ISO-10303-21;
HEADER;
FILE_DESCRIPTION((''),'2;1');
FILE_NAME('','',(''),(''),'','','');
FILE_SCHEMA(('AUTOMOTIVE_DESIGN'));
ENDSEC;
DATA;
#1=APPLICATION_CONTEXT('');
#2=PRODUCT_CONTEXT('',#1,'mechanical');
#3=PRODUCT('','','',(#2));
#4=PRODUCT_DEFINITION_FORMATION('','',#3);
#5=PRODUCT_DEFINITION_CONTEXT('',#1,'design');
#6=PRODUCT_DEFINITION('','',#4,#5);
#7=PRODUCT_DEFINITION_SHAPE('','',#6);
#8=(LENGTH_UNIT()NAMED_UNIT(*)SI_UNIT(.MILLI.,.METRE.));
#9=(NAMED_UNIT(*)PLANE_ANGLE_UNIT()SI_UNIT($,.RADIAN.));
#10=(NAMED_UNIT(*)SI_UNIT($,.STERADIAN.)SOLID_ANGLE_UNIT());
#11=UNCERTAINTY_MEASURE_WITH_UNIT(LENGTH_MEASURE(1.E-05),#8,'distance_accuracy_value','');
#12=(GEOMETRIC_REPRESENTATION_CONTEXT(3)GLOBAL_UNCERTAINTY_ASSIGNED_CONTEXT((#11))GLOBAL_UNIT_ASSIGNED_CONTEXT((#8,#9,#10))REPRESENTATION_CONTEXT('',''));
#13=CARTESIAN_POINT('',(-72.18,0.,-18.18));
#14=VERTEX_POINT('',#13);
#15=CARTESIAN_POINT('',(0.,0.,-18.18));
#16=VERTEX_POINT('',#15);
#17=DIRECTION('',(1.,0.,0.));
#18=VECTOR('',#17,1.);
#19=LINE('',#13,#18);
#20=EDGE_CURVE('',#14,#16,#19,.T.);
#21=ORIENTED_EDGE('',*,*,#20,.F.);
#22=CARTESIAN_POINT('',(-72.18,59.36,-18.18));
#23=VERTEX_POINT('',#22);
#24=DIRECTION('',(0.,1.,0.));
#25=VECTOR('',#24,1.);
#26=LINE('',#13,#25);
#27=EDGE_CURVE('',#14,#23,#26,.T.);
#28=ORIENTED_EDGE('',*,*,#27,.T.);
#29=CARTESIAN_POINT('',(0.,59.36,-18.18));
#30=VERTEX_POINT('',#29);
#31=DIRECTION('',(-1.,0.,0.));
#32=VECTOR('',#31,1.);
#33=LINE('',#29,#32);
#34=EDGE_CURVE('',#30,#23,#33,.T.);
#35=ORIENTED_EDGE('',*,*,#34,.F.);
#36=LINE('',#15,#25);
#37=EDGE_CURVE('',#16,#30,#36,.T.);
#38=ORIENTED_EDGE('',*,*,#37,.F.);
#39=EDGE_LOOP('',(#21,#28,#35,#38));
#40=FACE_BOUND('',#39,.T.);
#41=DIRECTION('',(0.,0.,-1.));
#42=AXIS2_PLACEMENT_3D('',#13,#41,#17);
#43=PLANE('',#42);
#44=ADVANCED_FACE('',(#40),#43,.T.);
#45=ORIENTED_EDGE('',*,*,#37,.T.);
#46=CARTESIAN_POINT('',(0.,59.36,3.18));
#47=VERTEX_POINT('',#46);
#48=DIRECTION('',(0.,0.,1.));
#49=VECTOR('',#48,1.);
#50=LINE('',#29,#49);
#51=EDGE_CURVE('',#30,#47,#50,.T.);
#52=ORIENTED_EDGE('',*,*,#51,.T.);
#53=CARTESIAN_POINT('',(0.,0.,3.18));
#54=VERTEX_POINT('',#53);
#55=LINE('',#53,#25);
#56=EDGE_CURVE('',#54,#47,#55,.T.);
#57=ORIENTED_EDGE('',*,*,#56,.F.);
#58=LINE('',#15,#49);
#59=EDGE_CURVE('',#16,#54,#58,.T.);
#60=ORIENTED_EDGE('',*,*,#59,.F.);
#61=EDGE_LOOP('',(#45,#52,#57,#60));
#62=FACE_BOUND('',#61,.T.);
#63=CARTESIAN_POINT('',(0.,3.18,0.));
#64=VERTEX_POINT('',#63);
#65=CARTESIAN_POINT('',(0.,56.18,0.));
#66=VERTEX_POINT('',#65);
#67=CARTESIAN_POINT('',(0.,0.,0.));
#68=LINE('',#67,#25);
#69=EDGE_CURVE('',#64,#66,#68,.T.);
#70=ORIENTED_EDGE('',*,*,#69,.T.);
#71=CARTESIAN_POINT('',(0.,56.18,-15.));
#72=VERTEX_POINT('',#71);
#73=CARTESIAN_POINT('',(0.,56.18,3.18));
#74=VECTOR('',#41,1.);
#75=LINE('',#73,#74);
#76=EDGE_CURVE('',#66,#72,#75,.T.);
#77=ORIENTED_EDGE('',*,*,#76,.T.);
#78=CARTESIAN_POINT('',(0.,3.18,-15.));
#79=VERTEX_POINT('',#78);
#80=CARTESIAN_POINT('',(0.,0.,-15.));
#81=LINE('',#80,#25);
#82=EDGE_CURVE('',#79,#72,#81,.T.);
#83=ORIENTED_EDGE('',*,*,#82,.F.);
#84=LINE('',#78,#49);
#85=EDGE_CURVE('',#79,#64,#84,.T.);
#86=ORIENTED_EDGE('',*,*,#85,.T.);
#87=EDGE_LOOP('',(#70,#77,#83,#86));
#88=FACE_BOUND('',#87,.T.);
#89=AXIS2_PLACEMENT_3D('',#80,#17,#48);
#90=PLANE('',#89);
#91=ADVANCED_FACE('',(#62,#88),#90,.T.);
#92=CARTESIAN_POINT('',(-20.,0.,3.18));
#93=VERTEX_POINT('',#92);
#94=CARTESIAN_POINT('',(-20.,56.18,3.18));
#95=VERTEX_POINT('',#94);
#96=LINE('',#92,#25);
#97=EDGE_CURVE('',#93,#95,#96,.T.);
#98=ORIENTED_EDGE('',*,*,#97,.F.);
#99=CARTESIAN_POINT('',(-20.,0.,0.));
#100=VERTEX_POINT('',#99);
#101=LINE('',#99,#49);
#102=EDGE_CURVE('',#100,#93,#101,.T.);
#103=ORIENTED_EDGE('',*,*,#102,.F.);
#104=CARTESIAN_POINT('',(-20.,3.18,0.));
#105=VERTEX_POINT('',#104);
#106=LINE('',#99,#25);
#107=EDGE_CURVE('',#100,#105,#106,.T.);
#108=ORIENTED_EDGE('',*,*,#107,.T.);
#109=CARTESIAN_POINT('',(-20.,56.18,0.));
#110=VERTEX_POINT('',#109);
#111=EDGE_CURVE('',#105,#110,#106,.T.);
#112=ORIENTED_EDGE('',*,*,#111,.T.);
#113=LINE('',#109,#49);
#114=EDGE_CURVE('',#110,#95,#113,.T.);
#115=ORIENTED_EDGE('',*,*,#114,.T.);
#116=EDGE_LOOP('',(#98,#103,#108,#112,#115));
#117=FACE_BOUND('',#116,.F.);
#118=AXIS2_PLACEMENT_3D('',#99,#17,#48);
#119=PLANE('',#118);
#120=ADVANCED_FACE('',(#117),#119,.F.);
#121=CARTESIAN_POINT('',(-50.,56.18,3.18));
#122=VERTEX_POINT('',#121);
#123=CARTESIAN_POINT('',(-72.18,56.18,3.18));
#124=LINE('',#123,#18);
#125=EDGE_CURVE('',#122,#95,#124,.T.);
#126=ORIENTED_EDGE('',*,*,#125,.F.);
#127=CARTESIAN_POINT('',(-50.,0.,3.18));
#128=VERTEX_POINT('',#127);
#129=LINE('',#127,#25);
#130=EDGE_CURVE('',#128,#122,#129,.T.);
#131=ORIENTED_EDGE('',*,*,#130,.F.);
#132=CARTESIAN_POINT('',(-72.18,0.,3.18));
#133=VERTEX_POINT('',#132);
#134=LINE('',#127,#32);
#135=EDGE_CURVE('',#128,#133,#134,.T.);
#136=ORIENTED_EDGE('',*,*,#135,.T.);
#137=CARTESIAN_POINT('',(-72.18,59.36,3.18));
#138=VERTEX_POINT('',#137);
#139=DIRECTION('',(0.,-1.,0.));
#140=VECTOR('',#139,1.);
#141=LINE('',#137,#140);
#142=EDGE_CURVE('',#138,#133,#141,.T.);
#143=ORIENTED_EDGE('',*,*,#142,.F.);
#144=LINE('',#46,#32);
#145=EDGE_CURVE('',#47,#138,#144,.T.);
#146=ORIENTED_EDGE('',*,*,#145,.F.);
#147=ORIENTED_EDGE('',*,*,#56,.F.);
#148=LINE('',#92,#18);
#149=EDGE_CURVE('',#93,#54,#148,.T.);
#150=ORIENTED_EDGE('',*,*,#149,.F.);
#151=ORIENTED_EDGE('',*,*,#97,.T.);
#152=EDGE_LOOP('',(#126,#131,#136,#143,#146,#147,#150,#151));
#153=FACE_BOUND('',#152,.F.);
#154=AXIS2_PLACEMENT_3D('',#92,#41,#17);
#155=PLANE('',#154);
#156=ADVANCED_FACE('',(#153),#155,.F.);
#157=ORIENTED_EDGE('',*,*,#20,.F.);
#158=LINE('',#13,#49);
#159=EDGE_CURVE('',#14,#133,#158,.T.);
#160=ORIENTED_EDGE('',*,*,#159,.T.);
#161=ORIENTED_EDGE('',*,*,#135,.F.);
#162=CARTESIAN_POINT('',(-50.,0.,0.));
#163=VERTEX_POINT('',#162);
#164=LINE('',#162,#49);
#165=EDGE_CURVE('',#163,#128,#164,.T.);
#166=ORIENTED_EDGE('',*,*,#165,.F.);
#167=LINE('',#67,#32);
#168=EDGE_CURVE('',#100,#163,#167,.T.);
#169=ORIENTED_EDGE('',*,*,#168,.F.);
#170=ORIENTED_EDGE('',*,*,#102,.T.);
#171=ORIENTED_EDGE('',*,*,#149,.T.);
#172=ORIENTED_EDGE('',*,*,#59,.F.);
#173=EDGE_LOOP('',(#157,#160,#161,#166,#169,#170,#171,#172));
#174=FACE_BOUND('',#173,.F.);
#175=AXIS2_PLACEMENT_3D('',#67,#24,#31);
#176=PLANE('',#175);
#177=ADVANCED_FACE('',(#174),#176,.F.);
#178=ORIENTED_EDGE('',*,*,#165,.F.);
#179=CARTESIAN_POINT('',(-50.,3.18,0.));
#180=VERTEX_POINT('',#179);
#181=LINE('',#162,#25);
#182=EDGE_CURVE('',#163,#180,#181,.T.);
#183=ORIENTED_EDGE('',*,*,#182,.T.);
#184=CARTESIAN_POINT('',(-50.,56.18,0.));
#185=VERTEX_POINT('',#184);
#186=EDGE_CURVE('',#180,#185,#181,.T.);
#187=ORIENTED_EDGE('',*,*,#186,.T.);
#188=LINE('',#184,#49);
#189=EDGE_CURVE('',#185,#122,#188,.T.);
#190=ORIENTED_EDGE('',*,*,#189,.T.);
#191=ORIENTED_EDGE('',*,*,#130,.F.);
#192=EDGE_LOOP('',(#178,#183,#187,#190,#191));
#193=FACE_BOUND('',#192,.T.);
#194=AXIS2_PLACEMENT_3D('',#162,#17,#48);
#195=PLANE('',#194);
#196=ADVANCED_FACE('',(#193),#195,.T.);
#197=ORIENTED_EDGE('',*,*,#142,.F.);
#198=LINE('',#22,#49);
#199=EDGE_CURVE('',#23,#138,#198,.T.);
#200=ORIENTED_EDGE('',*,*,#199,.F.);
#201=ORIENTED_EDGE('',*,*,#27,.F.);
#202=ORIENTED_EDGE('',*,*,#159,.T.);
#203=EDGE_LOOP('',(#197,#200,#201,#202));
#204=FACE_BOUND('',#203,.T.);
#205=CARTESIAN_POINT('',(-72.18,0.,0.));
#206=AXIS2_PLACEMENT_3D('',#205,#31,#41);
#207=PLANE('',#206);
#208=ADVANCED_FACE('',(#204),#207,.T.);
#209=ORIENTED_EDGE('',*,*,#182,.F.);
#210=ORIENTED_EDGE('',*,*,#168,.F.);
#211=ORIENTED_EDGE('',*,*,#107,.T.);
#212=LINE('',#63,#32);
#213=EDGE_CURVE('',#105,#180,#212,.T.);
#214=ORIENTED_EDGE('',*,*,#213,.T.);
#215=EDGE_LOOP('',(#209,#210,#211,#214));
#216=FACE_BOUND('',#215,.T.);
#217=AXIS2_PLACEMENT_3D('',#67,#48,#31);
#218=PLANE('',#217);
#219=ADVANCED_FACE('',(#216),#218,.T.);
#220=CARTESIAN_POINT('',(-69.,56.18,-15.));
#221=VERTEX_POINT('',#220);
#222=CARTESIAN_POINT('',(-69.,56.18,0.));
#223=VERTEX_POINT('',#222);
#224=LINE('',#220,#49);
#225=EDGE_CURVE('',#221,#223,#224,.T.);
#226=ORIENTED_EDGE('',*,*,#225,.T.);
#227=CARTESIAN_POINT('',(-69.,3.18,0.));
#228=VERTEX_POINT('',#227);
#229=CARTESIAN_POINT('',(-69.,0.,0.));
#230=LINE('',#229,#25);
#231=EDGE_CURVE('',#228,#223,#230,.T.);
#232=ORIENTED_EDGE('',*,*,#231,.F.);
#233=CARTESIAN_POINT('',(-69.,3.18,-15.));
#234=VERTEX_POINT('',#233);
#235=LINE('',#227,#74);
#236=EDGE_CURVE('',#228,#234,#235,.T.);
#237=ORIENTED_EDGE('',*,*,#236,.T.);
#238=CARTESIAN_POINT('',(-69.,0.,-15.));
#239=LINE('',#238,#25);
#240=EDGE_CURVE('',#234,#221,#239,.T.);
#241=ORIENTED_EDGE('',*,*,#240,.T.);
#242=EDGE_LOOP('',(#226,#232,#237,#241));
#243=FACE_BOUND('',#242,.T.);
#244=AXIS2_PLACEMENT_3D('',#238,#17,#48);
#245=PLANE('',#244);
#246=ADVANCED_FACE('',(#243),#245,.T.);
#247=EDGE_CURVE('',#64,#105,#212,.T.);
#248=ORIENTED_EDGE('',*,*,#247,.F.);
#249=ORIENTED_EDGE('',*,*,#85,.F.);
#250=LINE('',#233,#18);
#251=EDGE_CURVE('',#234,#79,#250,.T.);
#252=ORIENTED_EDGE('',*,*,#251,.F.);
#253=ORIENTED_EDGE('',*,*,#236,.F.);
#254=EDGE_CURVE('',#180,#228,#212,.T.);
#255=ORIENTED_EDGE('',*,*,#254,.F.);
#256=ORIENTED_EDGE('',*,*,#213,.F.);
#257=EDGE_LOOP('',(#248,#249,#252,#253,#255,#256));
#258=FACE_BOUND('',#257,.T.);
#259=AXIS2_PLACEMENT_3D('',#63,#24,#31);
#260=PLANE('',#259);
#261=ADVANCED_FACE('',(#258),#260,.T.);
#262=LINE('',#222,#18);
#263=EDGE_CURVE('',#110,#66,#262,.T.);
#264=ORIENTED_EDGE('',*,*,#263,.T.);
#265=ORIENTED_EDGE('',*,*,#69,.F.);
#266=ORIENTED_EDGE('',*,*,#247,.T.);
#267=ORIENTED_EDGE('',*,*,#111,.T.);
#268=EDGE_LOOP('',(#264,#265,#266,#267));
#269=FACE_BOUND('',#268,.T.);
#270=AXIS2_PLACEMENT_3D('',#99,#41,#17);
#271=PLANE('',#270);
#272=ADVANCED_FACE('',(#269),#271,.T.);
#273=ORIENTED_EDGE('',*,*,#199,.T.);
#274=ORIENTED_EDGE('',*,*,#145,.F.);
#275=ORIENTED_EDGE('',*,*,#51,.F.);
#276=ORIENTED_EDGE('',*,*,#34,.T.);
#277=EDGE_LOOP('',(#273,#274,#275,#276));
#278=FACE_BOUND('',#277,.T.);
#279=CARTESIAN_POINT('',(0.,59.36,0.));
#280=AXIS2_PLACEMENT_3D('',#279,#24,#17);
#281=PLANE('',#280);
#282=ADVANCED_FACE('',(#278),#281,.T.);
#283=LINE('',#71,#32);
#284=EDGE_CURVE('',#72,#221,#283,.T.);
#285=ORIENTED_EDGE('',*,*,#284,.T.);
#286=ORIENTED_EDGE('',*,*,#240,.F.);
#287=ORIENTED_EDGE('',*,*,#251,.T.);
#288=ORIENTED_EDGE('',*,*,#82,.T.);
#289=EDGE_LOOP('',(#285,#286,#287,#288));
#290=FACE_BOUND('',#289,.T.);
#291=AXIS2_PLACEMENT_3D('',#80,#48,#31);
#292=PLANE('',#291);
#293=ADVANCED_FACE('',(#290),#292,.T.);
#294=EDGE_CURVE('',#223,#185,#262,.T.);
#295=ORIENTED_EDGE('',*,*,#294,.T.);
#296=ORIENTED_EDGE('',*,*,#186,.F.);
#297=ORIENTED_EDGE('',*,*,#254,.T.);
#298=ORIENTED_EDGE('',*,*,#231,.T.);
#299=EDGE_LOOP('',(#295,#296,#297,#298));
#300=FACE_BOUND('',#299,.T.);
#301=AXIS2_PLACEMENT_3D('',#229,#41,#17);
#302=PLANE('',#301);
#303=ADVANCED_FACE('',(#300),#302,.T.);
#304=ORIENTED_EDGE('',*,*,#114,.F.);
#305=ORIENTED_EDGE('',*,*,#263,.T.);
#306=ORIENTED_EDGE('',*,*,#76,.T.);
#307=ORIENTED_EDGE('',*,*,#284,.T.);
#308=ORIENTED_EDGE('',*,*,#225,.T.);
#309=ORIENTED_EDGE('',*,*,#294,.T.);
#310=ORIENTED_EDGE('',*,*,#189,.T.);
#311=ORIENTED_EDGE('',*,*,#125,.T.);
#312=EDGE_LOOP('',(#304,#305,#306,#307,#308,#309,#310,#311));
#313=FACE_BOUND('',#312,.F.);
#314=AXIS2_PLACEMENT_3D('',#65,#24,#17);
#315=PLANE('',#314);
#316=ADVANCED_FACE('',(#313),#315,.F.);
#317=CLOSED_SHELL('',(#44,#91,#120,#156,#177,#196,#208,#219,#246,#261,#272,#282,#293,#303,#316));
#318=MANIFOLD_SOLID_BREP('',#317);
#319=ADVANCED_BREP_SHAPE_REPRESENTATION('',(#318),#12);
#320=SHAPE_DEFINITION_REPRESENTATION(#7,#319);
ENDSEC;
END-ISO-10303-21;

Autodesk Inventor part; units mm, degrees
ref_plane "YZ Plane" through (0, 0, 0) normal (1, 0, 0) x (0, 1, 0)
ref_plane "XZ Plane" through (0, 0, 0) normal (0, 1, 0) x (-1, 0, 0)
ref_plane "XY Plane" through (0, 0, 0) normal (0, 0, 1) x (1, 0, 0)
sketch "Sketch1" plane through (0, 0, 0) normal (0, 1, 0) x (-1, 0, 0)
  line L0 (0, 0) -> (69, 0)
  line L1 (69, 0) -> (69, -15)
  line L2 (69, -15) -> (0, -15)
  line L3 (0, -15) -> (0, 0)
  dimension "d0" = 69
  dimension "d1" = 15
extrude "Extrusion1" add sketch "Sketch1" along normal blind 3.18
sketch "Sketch2" plane through (0, 0, 0) normal (0, 1, 0) x (-1, 0, 0)
  line L0 (69, 0) -> (0, 0) projected
  line L1 (0, 0) -> (0, -15) projected
  line L2 (0, -15) -> (69, -15) projected
  line L3 (69, -15) -> (69, 0) projected
  line L4 (0, -15) -> (72.18, -15)
  line L5 (72.18, -15) -> (72.18, -18.18)
  line L6 (72.18, -18.18) -> (0, -18.18)
  line L7 (0, -18.18) -> (0, -15)
  line L8 (72.18, -15) -> (69, -15)
  line L9 (69, -15) -> (69, 0)
  line L10 (69, 0) -> (72.18, 0)
  line L11 (72.18, 0) -> (72.18, -15)
  line L12 (0, 0) -> (20, 0)
  line L13 (20, 0) -> (20, 3.18)
  line L14 (20, 3.18) -> (0, 3.18)
  line L15 (0, 3.18) -> (0, 0)
  line L16 (20, 0) -> (50, 0)
  line L17 (50, 0) -> (50, 3.18)
  line L18 (20, 3.18) -> (20, 0)
  line L19 (50, 3.18) -> (72.18, 3.18)
  line L20 (72.18, 3.18) -> (72.18, 0)
  line L21 (72.18, 0) -> (50, 0)
  line L22 (50, 0) -> (50, 3.18)
  dimension "d4" = 72.18
  dimension "d5" = 3.18
  dimension "d6" = 20
  dimension "d7" = 3.18
  dimension "d9" = 22.18
extrude "Extrusion2" add sketch "Sketch2" along normal blind 56.18 contours L10 L11 L4 L3 | L0 L17 L19 L20 L10 | L4 L5 L6 L7 L2 | L0 L15 L14 L13
sketch "Sketch3" plane through (0, 56.18, 0) normal (0, 1, 0) x (1, 0, 0)
  line L0 (0, 0) -> (-20, 0) projected
  line L1 (-20, 0) -> (-20, -3.18) projected
  line L2 (-20, -3.18) -> (0, -3.18) projected
  line L3 (0, -3.18) -> (0, 0) projected
  line L4 (-69, 0) -> (-69, 15) projected
  line L5 (-69, 15) -> (0, 15) projected
  line L6 (0, 15) -> (0, 18.18) projected
  line L7 (0, 18.18) -> (-72.18, 18.18) projected
  line L8 (-72.18, 18.18) -> (-72.18, -3.18) projected
  line L9 (-72.18, -3.18) -> (-50, -3.18) projected
  line L10 (-50, -3.18) -> (-50, 0) projected
  line L11 (-50, 0) -> (-69, 0) projected
  line L12 (0, -3.18) -> (-72.18, -3.18)
  line L13 (-72.18, -3.18) -> (-72.18, 18.18)
  line L14 (-72.18, 18.18) -> (0, 18.18)
  line L15 (0, 18.18) -> (0, -3.18)
extrude "Extrusion3" add sketch "Sketch3" along normal blind 3.18
properties part number "Base_Arduino"
